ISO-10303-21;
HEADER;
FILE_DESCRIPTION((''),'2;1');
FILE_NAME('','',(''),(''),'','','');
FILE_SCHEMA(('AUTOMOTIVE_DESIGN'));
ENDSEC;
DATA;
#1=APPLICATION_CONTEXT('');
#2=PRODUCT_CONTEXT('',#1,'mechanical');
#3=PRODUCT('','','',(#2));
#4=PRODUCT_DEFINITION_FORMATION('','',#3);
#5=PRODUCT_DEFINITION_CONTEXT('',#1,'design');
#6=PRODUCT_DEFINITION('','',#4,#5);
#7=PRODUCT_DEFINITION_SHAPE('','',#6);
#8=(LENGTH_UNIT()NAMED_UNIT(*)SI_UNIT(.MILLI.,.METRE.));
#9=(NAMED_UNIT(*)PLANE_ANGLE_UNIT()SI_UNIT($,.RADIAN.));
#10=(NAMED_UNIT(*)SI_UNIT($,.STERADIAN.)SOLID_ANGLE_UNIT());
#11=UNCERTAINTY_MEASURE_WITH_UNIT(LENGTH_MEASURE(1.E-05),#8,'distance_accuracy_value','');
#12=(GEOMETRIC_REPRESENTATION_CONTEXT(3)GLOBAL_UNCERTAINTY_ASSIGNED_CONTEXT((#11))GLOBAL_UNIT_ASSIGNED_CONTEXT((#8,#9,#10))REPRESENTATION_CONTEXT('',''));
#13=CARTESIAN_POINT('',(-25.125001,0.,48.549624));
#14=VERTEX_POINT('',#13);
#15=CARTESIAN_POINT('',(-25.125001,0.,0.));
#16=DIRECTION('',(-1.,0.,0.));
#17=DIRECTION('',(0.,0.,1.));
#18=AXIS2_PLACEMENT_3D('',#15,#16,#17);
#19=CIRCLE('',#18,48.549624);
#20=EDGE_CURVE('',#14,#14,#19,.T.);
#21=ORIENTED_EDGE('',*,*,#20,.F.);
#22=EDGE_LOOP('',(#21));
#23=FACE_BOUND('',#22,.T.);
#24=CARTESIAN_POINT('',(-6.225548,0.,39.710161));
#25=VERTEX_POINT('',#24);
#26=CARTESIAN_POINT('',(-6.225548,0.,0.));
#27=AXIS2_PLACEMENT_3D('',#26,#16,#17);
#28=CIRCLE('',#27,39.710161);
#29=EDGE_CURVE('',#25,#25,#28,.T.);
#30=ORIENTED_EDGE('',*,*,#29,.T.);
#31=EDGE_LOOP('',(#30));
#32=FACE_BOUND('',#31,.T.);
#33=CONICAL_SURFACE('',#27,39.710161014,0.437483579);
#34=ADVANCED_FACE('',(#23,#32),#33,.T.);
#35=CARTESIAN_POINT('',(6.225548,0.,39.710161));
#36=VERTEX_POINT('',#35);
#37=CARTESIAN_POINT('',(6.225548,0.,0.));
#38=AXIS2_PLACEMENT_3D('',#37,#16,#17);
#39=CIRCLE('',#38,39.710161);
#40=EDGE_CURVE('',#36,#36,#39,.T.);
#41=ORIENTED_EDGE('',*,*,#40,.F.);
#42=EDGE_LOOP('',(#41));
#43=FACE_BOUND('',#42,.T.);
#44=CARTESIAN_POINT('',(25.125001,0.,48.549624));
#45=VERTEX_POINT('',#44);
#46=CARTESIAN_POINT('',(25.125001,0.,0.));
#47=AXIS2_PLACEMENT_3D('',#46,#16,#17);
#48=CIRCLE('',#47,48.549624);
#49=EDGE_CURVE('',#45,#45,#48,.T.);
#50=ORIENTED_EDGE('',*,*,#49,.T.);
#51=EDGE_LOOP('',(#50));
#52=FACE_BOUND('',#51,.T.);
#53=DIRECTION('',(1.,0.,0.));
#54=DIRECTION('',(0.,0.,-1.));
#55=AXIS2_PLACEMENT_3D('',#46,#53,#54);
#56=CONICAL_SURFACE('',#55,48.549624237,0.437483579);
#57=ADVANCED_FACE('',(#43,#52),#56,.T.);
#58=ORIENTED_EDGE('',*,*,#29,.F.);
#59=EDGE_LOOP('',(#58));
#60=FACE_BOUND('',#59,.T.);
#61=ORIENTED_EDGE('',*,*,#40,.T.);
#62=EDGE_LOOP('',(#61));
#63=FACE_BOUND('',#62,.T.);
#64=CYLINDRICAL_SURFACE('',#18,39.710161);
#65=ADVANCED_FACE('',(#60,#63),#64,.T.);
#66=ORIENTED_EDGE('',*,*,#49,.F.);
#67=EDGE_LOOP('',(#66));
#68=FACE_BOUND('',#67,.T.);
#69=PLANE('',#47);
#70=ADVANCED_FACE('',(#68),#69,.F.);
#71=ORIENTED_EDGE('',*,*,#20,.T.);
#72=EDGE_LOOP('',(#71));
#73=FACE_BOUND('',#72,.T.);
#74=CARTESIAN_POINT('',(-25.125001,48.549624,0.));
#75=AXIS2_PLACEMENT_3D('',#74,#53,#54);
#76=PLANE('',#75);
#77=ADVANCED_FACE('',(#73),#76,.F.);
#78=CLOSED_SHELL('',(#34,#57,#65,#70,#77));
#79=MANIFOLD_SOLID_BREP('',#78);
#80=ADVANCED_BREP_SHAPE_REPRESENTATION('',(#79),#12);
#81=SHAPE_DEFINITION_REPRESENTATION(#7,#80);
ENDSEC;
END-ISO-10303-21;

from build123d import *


with BuildPart() as part:
    # Sketch1 → Revolve1 (revolve)
    with BuildSketch(Plane.XY, mode=Mode.PRIVATE) as revolve1_sk:
        Polygon((-25.12500102, 0), (25.12500102, 0), (25.12500102, 48.549624237), (6.22554836, 39.710161014), (-6.22554836, 39.710161014), (-25.12500102, 48.549624237), align=None)
    revolve(revolve1_sk.sketch.rotate(Axis((-25.12500102, 0, 0), (1, 0, 0)), 90), axis=Axis((-25.12500102, 0, 0), (1, 0, 0)))


solid = part.part
